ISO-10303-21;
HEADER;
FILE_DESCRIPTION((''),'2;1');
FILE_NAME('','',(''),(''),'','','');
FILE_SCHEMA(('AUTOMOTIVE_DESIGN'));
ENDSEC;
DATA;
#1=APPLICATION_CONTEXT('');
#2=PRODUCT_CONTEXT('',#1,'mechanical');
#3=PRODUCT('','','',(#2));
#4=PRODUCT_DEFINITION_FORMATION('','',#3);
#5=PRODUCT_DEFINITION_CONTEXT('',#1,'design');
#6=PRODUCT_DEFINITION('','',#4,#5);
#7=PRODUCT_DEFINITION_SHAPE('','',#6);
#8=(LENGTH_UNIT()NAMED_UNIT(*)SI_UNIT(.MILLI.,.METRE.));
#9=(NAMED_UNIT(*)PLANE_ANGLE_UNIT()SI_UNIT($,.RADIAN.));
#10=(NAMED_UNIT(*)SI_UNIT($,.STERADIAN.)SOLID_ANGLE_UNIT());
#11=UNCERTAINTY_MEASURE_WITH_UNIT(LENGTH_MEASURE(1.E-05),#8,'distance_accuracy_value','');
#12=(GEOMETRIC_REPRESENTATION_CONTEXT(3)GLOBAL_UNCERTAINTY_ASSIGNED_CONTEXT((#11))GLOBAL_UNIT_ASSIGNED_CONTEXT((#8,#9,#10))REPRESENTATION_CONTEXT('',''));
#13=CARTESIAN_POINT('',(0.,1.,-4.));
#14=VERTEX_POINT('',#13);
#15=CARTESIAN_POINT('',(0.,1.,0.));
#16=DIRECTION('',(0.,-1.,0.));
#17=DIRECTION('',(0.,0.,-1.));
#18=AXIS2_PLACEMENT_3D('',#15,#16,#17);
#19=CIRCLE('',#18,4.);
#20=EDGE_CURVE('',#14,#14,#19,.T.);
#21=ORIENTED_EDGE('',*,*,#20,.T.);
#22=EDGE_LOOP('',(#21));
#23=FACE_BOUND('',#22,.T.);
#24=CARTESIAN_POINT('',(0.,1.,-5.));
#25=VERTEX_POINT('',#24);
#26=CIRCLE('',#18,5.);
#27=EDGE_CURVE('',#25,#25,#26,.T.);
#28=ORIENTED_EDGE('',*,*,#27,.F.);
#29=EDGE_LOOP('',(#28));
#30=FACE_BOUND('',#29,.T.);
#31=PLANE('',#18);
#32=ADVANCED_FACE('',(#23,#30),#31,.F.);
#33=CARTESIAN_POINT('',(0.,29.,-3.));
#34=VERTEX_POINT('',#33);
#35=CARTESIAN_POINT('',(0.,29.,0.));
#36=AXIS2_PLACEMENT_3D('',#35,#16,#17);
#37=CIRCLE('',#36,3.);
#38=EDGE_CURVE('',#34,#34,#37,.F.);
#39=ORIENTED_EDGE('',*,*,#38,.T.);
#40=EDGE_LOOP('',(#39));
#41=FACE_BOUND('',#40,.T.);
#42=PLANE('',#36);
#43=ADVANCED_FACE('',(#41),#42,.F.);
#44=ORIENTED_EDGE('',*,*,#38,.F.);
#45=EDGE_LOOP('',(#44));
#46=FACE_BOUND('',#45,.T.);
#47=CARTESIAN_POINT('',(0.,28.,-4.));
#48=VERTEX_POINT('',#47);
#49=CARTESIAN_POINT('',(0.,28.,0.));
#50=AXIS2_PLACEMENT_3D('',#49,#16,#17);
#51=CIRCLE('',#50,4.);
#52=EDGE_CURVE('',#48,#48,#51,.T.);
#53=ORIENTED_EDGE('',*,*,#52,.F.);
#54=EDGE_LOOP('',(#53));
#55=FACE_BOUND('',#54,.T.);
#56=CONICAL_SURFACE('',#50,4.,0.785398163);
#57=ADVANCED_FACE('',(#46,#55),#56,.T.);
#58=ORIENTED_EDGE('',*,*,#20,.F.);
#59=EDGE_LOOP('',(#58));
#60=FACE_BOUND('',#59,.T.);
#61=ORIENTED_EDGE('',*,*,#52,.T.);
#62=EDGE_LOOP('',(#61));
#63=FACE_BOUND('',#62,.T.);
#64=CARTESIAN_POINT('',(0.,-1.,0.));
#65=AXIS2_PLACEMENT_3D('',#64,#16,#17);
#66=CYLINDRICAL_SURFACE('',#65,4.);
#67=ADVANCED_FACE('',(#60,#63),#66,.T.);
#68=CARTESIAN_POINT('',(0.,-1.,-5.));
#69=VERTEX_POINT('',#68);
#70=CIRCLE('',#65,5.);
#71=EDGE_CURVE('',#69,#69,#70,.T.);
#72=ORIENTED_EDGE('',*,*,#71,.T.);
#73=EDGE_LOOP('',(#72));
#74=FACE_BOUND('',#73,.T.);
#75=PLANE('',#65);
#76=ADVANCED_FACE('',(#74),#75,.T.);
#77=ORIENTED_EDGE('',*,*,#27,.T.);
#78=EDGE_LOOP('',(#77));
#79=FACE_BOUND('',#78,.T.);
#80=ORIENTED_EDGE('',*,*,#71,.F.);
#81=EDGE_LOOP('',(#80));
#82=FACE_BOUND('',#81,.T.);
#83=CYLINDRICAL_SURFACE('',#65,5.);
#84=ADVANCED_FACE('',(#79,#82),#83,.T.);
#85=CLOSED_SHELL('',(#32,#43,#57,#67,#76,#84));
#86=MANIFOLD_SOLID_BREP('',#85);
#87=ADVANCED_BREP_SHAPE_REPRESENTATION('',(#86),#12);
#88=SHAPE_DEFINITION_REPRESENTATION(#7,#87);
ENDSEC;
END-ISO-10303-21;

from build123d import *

# Parameters (mm, degrees)
SKETCH1_W     = 4
SKETCH1_H     = 28
CHAMFER1_SIZE = 1


with BuildPart() as part:
    # Sketch1 → Revolve1 (revolve)
    with BuildSketch(Plane(origin=(0, 0, 0), x_dir=(0, 0, -1), z_dir=(1, 0, 0))):
        with Locations((2, 15)):
            Rectangle(SKETCH1_W, SKETCH1_H)
        Polygon((0, 1), (0, -1), (5, -1), (5, 1), (4, 1), align=None)
    revolve(axis=Axis((0, -1, 0), (0, 1, 0)))

    # Chamfer1
    chamfer1_edges = [part.edges().sort_by_distance(p)[0] for p in [
        (0, 29, 4),
    ]]
    chamfer(chamfer1_edges, length=CHAMFER1_SIZE)


solid = part.part
